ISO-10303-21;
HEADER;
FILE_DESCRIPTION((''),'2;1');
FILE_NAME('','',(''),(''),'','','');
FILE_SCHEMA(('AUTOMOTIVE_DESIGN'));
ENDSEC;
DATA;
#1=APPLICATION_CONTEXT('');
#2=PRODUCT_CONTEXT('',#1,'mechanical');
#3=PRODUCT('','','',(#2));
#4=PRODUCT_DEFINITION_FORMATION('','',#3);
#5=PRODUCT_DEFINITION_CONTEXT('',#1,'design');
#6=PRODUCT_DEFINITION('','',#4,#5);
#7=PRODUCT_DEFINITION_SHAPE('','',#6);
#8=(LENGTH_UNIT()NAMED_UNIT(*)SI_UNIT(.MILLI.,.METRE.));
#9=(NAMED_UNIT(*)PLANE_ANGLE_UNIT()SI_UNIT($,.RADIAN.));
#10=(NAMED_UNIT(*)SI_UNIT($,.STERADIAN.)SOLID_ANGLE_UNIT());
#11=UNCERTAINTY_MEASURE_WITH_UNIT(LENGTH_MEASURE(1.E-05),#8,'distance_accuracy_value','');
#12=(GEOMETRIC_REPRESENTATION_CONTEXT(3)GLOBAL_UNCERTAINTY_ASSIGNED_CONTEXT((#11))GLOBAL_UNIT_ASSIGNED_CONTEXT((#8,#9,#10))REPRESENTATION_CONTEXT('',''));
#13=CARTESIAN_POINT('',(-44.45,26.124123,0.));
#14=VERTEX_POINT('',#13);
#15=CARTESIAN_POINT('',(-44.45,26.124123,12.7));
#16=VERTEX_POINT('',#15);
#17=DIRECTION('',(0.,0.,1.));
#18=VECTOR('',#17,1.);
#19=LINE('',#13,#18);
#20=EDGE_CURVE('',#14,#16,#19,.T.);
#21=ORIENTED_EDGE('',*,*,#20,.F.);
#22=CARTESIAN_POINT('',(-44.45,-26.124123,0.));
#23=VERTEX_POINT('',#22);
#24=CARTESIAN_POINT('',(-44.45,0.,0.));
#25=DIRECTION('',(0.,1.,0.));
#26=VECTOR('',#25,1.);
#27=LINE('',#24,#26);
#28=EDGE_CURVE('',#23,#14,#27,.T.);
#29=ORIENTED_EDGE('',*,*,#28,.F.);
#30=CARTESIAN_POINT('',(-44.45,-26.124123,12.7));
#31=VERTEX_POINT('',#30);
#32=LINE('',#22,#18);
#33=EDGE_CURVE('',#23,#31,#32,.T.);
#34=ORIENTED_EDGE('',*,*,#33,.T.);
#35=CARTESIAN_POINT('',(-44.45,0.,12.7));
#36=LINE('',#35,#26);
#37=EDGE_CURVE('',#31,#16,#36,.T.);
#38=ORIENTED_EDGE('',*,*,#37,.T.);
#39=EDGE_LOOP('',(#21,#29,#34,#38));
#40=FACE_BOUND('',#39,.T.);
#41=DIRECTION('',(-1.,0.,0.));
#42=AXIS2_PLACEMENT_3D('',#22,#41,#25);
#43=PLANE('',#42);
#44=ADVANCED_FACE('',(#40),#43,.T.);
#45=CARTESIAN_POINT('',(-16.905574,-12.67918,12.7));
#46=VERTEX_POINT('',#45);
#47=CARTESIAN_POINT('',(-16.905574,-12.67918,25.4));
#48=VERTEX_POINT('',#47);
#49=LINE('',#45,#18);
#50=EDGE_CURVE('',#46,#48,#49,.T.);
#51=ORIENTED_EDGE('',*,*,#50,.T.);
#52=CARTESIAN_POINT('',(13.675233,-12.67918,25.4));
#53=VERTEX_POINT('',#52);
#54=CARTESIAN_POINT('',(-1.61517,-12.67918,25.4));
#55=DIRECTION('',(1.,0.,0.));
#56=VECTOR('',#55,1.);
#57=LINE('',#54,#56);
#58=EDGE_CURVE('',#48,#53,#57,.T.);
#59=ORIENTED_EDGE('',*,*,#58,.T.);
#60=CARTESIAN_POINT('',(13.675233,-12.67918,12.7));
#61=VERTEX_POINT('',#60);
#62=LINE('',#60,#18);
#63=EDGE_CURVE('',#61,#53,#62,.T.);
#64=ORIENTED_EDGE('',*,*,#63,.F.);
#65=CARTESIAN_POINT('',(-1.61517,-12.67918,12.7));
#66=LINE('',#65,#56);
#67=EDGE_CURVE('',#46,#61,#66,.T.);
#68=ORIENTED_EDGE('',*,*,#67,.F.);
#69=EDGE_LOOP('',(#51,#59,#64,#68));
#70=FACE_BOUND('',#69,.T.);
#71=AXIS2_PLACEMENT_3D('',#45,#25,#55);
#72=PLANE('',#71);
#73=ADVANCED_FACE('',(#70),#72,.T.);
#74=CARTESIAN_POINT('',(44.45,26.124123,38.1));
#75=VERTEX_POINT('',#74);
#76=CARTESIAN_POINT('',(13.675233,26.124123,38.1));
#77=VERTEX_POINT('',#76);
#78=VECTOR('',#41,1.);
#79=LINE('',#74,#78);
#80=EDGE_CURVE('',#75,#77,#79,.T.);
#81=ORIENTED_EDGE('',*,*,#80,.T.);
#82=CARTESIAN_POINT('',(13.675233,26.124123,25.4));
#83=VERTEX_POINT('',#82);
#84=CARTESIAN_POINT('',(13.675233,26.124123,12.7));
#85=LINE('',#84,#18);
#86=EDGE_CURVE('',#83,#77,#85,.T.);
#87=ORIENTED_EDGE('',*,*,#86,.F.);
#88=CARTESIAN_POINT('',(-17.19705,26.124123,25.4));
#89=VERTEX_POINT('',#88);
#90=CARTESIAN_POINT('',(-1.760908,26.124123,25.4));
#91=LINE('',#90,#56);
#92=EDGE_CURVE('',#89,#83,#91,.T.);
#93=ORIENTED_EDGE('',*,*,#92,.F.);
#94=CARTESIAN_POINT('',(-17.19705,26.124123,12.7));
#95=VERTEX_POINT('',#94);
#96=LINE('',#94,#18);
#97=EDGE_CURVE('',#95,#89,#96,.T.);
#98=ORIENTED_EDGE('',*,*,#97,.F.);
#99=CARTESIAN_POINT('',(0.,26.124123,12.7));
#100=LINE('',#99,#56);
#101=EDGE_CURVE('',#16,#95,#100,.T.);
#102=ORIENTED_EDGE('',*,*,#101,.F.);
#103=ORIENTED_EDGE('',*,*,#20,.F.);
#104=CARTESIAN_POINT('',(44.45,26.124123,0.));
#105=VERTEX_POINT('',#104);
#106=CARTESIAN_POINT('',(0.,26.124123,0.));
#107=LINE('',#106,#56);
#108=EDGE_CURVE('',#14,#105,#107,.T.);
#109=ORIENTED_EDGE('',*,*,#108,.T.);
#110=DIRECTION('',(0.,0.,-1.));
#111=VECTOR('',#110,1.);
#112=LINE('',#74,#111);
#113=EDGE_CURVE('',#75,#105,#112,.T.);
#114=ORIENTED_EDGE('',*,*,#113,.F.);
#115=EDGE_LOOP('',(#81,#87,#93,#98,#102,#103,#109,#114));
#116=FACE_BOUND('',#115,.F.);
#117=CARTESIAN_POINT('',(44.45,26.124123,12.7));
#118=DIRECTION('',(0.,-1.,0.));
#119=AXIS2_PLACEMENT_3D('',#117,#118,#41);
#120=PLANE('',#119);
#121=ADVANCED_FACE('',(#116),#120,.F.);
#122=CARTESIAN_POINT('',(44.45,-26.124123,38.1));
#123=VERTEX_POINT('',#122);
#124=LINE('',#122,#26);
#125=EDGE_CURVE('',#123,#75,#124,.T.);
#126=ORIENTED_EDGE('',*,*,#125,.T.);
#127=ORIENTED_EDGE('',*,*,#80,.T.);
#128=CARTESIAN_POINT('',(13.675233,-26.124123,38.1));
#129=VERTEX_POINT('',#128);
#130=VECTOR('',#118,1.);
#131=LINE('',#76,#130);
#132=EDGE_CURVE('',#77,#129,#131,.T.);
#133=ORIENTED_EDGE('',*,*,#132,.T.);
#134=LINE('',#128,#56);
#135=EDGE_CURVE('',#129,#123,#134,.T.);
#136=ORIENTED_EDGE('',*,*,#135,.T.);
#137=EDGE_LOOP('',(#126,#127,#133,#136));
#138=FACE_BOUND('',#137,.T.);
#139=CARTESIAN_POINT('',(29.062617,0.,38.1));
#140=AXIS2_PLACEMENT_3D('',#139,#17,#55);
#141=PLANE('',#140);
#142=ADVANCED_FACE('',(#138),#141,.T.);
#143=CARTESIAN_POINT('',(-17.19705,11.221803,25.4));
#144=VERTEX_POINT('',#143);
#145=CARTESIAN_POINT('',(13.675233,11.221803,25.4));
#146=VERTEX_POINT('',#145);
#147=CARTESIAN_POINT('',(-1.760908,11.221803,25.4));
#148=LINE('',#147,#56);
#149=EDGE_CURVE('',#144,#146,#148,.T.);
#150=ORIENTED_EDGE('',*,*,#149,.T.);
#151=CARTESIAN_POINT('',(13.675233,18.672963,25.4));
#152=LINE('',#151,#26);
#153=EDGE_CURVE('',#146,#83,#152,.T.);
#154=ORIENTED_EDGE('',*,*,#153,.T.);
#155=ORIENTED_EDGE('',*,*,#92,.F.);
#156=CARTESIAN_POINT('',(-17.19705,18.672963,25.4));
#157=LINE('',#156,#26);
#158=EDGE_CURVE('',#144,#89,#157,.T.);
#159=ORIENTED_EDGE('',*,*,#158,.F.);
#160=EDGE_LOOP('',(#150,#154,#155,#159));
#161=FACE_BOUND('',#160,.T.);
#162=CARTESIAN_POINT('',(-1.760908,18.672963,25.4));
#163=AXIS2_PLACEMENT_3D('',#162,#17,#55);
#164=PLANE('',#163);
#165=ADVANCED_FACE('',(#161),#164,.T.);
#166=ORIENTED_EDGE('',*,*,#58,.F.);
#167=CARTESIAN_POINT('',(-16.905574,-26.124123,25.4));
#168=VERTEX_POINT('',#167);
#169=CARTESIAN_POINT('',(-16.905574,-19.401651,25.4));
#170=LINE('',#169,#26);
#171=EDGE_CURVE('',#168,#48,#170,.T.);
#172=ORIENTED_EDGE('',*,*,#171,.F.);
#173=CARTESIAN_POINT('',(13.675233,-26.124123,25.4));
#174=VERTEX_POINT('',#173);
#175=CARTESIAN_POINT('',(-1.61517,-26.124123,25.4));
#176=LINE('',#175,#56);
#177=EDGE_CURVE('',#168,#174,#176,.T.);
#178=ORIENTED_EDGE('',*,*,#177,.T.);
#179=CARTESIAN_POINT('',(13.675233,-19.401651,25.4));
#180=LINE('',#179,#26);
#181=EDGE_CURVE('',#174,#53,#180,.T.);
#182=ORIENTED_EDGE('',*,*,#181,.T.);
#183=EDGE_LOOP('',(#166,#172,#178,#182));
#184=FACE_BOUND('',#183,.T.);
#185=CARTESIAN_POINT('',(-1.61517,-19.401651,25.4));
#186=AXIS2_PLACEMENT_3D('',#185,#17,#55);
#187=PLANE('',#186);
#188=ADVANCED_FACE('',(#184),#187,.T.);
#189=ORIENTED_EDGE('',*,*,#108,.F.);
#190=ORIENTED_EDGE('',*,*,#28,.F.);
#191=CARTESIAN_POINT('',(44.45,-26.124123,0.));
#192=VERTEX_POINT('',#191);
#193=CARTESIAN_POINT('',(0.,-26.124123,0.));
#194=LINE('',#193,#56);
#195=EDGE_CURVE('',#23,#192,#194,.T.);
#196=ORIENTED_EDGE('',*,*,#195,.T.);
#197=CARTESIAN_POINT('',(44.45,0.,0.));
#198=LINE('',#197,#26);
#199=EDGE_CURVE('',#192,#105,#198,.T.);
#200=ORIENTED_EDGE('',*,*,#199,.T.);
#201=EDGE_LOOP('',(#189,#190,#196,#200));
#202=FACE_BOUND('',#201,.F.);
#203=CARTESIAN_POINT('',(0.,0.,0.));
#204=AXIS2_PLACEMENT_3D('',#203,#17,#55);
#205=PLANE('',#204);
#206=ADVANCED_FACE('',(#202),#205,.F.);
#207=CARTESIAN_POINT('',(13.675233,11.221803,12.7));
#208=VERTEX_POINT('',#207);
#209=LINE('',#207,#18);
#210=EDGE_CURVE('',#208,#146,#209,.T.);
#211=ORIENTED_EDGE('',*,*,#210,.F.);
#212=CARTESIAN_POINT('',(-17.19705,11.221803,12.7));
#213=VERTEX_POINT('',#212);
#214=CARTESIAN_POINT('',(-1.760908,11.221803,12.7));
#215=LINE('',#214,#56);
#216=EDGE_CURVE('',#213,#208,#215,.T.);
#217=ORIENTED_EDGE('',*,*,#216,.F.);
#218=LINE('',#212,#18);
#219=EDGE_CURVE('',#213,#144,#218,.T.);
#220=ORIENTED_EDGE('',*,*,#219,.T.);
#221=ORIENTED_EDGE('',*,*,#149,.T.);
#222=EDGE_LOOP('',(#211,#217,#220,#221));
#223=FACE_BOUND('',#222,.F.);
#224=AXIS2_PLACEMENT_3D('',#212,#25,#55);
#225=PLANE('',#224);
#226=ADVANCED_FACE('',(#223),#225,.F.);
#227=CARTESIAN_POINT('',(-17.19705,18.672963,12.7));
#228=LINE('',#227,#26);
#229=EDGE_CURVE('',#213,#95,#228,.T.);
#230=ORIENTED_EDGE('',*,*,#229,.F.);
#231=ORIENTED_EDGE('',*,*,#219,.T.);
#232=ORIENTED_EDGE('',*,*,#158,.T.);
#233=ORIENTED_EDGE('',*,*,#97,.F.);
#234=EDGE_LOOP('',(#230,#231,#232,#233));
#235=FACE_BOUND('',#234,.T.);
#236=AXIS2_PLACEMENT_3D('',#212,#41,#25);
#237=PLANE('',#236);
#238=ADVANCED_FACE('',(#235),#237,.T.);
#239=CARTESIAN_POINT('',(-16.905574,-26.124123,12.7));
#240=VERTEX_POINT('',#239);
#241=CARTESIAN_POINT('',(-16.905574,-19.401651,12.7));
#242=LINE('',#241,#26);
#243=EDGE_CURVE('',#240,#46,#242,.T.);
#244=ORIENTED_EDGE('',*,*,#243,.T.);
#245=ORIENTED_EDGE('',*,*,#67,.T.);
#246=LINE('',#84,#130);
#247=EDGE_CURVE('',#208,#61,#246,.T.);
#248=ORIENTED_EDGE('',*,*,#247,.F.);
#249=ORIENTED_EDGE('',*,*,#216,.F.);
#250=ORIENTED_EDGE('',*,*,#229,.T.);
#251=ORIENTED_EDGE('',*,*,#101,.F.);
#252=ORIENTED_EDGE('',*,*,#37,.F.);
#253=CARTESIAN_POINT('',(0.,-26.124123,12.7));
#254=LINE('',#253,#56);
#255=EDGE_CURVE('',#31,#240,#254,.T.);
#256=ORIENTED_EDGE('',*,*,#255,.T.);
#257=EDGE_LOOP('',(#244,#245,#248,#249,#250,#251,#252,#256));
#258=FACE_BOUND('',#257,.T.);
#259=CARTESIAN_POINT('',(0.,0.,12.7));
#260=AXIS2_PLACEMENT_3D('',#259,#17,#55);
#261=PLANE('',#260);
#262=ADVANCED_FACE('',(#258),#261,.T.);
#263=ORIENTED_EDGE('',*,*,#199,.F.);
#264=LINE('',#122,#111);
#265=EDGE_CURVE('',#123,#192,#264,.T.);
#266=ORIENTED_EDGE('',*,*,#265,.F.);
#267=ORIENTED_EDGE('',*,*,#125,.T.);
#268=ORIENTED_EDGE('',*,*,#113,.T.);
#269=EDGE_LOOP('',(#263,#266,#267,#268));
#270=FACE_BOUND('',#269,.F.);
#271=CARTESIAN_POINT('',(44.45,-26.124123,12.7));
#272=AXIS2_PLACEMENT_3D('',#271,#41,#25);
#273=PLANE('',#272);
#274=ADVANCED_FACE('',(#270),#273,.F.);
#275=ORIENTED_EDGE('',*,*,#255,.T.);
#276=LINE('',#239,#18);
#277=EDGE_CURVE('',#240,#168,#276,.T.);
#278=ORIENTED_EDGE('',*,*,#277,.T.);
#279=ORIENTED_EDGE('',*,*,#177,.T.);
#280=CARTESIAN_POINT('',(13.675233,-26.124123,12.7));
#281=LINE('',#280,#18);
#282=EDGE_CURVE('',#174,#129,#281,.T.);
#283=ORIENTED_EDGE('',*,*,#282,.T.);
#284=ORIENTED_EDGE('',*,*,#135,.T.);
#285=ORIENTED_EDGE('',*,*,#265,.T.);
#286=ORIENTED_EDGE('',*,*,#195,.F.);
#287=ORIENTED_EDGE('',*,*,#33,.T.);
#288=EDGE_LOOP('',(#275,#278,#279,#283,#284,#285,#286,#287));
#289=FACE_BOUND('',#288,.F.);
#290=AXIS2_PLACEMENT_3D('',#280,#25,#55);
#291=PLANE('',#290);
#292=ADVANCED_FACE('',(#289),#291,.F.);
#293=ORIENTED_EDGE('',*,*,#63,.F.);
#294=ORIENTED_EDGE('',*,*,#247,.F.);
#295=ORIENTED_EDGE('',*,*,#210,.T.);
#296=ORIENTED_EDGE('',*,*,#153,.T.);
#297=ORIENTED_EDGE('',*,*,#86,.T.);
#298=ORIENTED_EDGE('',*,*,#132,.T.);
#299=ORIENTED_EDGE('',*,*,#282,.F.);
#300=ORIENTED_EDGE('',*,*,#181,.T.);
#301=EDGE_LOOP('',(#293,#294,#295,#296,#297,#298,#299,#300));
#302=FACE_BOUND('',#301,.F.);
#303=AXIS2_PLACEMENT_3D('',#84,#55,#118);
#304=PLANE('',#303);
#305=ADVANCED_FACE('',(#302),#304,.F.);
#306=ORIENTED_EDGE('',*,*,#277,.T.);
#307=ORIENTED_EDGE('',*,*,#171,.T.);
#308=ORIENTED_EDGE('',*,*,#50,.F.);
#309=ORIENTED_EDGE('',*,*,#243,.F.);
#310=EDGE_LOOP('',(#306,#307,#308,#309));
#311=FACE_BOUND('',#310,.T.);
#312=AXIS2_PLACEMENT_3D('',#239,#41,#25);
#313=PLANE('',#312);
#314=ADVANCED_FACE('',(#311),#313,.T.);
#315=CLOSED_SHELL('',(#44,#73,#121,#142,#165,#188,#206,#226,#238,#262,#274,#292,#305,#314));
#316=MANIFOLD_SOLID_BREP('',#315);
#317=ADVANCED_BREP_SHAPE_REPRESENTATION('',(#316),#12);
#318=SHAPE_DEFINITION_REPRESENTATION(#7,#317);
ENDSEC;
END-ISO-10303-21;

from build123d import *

# Parameters (mm, degrees)
F0_W     = 88.9
F0_H     = 52.248245614
F1_DEPTH = 12.7
F2_W     = 30.8722835034
F2_H     = 14.9023200136
F2_W_2   = 30.5808074772
F2_H_2   = 13.4449426767
F3_DEPTH = 12.7
F4_DEPTH = 25.4


with BuildPart() as f1:
    # F0 (on Top) → F1 (new body)
    with BuildSketch(Plane.XY):
        Rectangle(F0_W, F0_H)
    extrude(amount=F1_DEPTH)

    # F2 (on face) → F3 (join)
    with BuildSketch(Plane.XY.offset(12.7)):
        with Locations((-1.7609084025, 18.6729628002)):
            Rectangle(F2_W, F2_H)
        with Locations((-1.6151703894, -19.4016514687)):
            Rectangle(F2_W_2, F2_H_2)
    extrude(amount=F3_DEPTH)

    # F2 (on face) → F4 (join)
    with BuildSketch(Plane.XY.offset(12.7)):
        Polygon((44.45, 26.124122807), (13.6752333492, 26.124122807), (13.6752333492, 11.2218027934), (13.6752333492, -12.6791801304), (13.6752333492, -26.124122807), (44.45, -26.124122807), (44.45, -12.6791801304), (44.45, 11.2218027934), align=None)
    extrude(amount=F4_DEPTH)


solid = f1.part
